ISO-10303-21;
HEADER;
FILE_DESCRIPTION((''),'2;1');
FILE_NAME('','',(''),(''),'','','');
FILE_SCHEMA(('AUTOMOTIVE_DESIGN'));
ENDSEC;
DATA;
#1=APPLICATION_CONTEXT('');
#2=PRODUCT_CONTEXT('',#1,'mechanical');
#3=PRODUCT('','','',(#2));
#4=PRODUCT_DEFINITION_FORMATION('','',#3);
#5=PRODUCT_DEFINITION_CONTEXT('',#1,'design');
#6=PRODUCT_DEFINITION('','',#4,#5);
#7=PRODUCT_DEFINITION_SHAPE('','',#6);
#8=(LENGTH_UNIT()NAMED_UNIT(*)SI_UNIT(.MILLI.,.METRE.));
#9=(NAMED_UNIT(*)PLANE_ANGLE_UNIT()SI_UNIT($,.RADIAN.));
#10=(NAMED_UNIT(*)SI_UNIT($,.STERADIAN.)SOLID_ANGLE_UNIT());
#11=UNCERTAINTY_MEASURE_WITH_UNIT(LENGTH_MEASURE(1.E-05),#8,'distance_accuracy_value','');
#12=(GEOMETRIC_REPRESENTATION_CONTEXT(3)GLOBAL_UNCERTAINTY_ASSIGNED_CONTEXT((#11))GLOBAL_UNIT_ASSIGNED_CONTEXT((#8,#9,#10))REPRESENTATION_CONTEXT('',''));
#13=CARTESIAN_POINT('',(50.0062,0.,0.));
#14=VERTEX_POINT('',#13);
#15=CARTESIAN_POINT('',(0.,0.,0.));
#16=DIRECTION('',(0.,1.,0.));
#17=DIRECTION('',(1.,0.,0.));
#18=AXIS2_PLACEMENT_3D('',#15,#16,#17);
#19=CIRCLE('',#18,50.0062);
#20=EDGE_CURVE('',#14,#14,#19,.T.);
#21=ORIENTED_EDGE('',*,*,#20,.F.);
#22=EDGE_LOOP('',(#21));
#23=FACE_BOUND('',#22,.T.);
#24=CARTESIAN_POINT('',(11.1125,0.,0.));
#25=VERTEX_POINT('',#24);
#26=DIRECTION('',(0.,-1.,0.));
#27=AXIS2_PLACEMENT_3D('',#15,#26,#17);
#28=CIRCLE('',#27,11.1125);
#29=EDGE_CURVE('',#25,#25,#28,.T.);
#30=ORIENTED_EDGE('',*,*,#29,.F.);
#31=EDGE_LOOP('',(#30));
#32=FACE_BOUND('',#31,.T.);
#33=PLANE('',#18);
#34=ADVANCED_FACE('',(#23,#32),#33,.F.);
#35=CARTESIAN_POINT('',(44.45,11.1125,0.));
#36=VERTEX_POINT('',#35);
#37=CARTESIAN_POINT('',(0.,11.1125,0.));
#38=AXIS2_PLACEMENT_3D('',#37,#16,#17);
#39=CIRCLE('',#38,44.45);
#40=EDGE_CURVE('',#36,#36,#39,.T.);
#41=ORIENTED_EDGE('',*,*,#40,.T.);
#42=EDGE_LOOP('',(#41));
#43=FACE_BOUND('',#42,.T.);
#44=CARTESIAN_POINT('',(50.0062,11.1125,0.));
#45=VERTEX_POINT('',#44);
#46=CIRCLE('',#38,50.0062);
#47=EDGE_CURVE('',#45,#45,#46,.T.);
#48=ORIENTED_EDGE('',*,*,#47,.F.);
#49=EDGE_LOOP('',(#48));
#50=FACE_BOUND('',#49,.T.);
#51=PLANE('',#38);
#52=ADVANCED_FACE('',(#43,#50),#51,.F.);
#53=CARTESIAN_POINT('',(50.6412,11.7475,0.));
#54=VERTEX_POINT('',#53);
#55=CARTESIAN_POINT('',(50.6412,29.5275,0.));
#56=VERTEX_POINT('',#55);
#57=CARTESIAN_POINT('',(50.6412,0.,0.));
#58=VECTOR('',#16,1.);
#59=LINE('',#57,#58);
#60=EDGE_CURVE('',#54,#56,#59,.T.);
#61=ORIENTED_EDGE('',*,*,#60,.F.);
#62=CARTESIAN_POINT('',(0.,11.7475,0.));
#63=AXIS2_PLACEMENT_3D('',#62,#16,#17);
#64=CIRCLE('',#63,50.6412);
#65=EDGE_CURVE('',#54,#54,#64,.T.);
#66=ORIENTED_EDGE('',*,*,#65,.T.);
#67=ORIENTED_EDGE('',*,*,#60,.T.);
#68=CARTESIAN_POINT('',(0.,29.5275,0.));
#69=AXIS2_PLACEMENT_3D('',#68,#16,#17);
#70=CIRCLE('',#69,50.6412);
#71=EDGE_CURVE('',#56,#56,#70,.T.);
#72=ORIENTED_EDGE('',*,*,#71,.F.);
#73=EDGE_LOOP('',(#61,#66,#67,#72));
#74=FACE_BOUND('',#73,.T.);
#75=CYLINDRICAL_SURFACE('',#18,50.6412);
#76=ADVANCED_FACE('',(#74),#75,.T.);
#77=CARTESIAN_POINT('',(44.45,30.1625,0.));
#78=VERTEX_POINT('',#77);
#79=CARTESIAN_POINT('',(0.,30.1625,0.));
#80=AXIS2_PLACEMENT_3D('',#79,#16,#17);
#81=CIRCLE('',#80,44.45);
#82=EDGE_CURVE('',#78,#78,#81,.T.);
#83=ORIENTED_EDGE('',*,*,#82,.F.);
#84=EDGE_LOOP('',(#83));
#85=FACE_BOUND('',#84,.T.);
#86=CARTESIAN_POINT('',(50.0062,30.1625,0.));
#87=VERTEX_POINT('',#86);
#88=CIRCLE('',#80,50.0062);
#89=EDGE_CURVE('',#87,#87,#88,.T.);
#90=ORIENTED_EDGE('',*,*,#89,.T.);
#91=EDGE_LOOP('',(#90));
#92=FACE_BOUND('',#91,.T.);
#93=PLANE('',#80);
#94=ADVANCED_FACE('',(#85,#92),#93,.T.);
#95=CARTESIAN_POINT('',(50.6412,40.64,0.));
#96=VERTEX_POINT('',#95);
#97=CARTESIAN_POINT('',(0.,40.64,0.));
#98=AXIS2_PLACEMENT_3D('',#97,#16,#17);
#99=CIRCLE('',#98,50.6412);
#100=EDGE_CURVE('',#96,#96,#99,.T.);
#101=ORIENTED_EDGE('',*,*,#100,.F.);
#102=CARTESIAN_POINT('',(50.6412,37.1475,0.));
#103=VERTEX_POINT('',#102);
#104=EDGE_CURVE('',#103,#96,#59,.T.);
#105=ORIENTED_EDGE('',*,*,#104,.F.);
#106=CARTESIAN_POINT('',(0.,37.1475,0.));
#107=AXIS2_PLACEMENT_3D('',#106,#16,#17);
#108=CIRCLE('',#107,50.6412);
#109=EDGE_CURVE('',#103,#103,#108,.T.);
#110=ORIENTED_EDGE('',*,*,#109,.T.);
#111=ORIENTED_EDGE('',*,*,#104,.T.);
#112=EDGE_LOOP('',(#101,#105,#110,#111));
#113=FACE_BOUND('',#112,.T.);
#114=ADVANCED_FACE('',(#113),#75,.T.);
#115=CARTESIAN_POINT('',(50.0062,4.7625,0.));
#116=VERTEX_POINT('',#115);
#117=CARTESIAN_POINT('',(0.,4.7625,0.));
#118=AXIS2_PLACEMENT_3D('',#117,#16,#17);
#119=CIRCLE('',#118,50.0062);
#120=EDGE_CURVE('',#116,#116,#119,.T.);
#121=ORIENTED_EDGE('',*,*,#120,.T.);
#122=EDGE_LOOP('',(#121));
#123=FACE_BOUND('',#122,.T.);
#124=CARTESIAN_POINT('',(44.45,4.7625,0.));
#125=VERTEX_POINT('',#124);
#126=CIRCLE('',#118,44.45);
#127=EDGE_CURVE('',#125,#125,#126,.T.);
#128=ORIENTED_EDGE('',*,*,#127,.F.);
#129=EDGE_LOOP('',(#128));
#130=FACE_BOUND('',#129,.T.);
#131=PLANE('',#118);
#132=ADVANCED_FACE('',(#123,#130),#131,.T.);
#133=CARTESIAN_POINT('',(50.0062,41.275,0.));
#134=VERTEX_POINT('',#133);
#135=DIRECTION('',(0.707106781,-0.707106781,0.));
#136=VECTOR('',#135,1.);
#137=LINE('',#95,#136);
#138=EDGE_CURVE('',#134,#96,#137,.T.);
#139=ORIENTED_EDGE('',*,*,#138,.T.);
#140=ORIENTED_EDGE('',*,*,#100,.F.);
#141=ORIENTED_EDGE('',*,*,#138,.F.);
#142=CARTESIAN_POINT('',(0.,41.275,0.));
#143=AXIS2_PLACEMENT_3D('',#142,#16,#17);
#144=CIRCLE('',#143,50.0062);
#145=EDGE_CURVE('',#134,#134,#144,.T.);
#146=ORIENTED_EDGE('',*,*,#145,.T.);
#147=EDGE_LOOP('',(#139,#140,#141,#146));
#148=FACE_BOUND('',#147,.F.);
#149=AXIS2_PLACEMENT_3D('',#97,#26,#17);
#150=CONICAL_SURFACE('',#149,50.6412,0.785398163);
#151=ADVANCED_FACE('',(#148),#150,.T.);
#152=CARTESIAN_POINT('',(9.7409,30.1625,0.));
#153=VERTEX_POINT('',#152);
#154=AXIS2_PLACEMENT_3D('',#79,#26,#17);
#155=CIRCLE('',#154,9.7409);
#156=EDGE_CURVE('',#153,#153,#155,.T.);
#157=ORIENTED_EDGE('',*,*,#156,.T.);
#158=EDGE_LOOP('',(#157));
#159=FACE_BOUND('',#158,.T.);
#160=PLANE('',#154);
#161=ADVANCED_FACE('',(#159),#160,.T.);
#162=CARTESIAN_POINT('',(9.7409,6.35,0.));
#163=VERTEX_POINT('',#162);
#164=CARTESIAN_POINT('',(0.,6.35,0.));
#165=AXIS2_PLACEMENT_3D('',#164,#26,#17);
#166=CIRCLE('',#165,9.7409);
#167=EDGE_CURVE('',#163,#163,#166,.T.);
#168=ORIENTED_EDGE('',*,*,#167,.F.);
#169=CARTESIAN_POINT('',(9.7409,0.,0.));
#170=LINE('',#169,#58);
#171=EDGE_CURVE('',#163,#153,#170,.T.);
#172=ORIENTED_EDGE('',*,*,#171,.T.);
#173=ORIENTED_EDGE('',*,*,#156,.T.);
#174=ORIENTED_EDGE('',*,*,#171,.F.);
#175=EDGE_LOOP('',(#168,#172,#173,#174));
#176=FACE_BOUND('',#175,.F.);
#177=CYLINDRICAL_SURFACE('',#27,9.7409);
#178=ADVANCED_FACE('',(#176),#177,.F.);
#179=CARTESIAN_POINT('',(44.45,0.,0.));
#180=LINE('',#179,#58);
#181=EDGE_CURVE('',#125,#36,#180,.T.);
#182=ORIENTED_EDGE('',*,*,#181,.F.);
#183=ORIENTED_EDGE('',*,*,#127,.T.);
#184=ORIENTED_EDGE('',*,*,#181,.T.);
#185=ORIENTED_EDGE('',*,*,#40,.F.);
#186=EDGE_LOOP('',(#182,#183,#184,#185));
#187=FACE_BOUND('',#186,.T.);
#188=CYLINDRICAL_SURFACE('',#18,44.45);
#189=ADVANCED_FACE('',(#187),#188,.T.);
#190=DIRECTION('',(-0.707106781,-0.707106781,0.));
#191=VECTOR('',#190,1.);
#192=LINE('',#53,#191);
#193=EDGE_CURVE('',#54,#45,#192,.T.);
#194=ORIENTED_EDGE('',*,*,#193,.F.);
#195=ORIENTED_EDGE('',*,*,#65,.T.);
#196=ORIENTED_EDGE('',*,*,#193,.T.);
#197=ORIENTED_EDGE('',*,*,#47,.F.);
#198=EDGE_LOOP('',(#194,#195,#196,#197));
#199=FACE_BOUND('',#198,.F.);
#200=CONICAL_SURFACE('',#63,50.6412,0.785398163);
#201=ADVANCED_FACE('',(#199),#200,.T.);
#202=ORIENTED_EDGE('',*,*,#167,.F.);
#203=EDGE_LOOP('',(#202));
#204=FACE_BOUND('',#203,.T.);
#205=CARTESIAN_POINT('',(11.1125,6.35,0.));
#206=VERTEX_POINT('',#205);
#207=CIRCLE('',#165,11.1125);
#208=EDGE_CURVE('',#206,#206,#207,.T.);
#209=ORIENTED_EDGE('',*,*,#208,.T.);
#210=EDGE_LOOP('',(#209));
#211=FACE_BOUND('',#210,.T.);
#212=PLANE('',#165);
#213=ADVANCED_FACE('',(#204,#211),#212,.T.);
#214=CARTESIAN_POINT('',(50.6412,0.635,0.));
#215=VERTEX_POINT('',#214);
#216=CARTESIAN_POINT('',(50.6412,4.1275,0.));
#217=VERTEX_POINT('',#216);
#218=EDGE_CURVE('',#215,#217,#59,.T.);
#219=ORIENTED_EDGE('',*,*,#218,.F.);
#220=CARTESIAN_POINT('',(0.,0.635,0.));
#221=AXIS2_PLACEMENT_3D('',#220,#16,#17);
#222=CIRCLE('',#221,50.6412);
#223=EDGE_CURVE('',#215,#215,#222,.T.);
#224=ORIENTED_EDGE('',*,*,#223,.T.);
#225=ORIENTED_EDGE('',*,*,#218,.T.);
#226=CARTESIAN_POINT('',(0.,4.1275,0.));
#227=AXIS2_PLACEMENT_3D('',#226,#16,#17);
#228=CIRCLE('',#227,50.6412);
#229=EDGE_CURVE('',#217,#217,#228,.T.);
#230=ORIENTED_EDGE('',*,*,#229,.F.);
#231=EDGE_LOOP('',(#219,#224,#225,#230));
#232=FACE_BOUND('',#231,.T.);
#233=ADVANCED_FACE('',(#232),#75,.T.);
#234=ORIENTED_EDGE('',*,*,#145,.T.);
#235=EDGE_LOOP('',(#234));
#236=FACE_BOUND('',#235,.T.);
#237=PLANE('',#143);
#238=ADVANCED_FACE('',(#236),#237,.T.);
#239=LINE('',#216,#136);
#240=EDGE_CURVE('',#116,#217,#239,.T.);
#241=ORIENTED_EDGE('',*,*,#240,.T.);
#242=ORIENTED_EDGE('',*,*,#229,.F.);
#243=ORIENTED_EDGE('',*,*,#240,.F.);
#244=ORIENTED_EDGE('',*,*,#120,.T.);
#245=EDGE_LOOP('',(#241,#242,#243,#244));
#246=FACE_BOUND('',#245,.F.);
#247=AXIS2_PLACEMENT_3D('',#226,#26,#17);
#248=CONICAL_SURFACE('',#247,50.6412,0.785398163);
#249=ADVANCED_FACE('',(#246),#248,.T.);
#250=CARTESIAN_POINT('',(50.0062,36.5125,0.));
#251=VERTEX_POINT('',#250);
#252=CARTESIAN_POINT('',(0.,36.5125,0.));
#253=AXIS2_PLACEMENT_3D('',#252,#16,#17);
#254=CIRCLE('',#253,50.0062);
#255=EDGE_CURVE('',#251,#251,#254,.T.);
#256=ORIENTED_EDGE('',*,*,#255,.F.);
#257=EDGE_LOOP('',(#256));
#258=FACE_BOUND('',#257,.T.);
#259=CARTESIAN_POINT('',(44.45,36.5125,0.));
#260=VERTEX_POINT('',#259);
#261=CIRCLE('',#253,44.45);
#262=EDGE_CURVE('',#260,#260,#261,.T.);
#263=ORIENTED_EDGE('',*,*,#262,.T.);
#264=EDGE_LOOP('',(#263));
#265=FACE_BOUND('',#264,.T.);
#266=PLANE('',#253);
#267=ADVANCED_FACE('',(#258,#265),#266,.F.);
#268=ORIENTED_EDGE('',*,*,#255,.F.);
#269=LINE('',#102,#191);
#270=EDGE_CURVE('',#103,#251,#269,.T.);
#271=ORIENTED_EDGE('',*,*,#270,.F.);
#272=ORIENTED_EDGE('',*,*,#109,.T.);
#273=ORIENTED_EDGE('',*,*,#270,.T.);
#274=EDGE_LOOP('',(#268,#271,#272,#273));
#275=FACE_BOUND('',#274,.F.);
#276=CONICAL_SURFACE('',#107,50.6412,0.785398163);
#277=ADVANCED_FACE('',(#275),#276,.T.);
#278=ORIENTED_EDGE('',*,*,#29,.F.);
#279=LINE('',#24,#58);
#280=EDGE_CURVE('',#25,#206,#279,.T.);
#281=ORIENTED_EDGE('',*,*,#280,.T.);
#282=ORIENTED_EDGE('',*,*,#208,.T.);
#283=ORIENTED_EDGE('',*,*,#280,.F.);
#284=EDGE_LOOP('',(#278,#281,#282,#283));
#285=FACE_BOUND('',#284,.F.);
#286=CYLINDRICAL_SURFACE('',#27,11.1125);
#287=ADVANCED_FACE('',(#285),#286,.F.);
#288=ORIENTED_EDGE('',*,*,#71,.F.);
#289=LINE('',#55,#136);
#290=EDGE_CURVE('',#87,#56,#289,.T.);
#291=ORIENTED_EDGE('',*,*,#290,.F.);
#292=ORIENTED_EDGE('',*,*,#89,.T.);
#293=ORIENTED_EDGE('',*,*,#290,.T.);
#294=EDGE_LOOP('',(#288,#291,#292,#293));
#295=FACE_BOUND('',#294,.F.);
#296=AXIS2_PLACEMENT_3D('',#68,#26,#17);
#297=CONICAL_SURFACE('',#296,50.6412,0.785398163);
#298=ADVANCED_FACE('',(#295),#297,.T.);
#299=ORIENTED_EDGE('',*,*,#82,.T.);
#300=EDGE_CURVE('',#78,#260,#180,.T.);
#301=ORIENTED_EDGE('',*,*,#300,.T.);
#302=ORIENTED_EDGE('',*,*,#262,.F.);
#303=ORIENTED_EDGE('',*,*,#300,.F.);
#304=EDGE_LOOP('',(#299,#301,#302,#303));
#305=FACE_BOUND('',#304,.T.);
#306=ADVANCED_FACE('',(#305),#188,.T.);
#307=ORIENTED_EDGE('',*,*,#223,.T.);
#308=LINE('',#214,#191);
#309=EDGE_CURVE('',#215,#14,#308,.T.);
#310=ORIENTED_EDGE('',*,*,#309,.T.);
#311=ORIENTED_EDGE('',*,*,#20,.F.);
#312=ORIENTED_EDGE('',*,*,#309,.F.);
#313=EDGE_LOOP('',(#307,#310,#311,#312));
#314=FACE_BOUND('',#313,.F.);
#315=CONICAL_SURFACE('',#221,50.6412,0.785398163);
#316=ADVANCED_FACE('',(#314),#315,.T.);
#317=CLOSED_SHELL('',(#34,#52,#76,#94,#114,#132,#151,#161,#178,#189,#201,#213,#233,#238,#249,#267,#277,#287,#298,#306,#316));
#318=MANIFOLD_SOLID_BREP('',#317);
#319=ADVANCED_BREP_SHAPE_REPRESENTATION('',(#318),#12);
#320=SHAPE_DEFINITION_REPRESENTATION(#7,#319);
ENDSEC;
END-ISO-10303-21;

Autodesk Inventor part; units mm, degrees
ref_plane "YZ Plane" through (0, 0, 0) normal (1, 0, 0) x (0, 1, 0)
ref_plane "XZ Plane" through (0, 0, 0) normal (0, 1, 0) x (-1, 0, 0)
ref_plane "XY Plane" through (0, 0, 0) normal (0, 0, 1) x (1, 0, 0)
sketch "Sketch1" plane through (0, 0, 0) normal (0, 0, 1) x (1, 0, 0)
  line L0 (50.8, 0) -> (50.8, 39.0312) construction
  line L1 (0, 0) -> (50.6412, 0)
  line L2 (44.45, 0) -> (44.45, 51.6727)
  line L3 (0, 0) -> (0, 50.5742)
  line L4 (50.6412, 0) -> (50.6412, 45.6895)
  line L5 (50.6412, 4.7625) -> (44.45, 4.7625)
  line L6 (44.45, 11.1125) -> (50.6412, 11.1125)
  line L7 (50.6412, 30.1625) -> (44.45, 30.1625)
  line L8 (44.45, 36.5125) -> (50.6412, 36.5125)
  line L9 (50.6412, 41.275) -> (0, 41.275)
  point P0 (47.5456, 36.5125)
  point P1 (44.45, 30.1625)
  dimension "d1" = 50.6412
  dimension "d2" = 44.45
  dimension "d3" = 6.35
  dimension "d4" = 6.35
  dimension "d5" = 4.7625
  dimension "d6" = 19.05
  dimension "d7" = 4.7625
  dimension "d12" = 41.275
revolve "Revolution1" add sketch "Sketch1" angle 360 about axis through (0, 0, 0) along (0, 1, 0) contours L3 L9 L2 L1 | L2 L5 L4 L1 | L9 L4 L8 L2 | L2 L7 L4 L6
chamfer "Chamfer1" distance 0.635 angle 45 6 edges at (-50.6412, 0, 0) (-50.6412, 4.7625, 0) (-50.6412, 11.1125, 0) (-50.6412, 30.1625, 0) (-50.6412, 36.5125, 0) (-50.6412, 41.275, 0)
sketch "Sketch2" plane through (0, 0, 0) normal (0, -1, 0) x (1, 0, 0)
  circle A0 centre (0, 0) radius 9.7409
  circle A1 centre (0, 0) radius 11.1125
  dimension "d16" = 19.4818
  dimension "d17" = 22.225
extrude "Extrusion1" cut sketch "Sketch2" against normal up to surface (30.1625 mm away) contours A0
extrude "Extrusion2" cut sketch "Sketch2" against normal blind 6.35 contours A0 | A1
equation "\"MachineMaxHeight\" = 539.75"
equation "\"MachineMaxWidth\" = 215.9"
equation "\"MachineMaxLength\" = 266.7"
equation "\"MachineFluidCapacity\" = 25.4"
equation "\"MaxCompressiveCapacity\" = 20320"
equation "\"WashChamberID\" = 101.6"
equation "\"WashChamberOD\" = 114.3"
equation "\"ConduitThickness\" = 152.4"
equation "\"SealedSurfaceOffset\" = 0.15875"
equation "\"StaticORingThickness\" = 4.7625"
properties part number "2 Piston"
